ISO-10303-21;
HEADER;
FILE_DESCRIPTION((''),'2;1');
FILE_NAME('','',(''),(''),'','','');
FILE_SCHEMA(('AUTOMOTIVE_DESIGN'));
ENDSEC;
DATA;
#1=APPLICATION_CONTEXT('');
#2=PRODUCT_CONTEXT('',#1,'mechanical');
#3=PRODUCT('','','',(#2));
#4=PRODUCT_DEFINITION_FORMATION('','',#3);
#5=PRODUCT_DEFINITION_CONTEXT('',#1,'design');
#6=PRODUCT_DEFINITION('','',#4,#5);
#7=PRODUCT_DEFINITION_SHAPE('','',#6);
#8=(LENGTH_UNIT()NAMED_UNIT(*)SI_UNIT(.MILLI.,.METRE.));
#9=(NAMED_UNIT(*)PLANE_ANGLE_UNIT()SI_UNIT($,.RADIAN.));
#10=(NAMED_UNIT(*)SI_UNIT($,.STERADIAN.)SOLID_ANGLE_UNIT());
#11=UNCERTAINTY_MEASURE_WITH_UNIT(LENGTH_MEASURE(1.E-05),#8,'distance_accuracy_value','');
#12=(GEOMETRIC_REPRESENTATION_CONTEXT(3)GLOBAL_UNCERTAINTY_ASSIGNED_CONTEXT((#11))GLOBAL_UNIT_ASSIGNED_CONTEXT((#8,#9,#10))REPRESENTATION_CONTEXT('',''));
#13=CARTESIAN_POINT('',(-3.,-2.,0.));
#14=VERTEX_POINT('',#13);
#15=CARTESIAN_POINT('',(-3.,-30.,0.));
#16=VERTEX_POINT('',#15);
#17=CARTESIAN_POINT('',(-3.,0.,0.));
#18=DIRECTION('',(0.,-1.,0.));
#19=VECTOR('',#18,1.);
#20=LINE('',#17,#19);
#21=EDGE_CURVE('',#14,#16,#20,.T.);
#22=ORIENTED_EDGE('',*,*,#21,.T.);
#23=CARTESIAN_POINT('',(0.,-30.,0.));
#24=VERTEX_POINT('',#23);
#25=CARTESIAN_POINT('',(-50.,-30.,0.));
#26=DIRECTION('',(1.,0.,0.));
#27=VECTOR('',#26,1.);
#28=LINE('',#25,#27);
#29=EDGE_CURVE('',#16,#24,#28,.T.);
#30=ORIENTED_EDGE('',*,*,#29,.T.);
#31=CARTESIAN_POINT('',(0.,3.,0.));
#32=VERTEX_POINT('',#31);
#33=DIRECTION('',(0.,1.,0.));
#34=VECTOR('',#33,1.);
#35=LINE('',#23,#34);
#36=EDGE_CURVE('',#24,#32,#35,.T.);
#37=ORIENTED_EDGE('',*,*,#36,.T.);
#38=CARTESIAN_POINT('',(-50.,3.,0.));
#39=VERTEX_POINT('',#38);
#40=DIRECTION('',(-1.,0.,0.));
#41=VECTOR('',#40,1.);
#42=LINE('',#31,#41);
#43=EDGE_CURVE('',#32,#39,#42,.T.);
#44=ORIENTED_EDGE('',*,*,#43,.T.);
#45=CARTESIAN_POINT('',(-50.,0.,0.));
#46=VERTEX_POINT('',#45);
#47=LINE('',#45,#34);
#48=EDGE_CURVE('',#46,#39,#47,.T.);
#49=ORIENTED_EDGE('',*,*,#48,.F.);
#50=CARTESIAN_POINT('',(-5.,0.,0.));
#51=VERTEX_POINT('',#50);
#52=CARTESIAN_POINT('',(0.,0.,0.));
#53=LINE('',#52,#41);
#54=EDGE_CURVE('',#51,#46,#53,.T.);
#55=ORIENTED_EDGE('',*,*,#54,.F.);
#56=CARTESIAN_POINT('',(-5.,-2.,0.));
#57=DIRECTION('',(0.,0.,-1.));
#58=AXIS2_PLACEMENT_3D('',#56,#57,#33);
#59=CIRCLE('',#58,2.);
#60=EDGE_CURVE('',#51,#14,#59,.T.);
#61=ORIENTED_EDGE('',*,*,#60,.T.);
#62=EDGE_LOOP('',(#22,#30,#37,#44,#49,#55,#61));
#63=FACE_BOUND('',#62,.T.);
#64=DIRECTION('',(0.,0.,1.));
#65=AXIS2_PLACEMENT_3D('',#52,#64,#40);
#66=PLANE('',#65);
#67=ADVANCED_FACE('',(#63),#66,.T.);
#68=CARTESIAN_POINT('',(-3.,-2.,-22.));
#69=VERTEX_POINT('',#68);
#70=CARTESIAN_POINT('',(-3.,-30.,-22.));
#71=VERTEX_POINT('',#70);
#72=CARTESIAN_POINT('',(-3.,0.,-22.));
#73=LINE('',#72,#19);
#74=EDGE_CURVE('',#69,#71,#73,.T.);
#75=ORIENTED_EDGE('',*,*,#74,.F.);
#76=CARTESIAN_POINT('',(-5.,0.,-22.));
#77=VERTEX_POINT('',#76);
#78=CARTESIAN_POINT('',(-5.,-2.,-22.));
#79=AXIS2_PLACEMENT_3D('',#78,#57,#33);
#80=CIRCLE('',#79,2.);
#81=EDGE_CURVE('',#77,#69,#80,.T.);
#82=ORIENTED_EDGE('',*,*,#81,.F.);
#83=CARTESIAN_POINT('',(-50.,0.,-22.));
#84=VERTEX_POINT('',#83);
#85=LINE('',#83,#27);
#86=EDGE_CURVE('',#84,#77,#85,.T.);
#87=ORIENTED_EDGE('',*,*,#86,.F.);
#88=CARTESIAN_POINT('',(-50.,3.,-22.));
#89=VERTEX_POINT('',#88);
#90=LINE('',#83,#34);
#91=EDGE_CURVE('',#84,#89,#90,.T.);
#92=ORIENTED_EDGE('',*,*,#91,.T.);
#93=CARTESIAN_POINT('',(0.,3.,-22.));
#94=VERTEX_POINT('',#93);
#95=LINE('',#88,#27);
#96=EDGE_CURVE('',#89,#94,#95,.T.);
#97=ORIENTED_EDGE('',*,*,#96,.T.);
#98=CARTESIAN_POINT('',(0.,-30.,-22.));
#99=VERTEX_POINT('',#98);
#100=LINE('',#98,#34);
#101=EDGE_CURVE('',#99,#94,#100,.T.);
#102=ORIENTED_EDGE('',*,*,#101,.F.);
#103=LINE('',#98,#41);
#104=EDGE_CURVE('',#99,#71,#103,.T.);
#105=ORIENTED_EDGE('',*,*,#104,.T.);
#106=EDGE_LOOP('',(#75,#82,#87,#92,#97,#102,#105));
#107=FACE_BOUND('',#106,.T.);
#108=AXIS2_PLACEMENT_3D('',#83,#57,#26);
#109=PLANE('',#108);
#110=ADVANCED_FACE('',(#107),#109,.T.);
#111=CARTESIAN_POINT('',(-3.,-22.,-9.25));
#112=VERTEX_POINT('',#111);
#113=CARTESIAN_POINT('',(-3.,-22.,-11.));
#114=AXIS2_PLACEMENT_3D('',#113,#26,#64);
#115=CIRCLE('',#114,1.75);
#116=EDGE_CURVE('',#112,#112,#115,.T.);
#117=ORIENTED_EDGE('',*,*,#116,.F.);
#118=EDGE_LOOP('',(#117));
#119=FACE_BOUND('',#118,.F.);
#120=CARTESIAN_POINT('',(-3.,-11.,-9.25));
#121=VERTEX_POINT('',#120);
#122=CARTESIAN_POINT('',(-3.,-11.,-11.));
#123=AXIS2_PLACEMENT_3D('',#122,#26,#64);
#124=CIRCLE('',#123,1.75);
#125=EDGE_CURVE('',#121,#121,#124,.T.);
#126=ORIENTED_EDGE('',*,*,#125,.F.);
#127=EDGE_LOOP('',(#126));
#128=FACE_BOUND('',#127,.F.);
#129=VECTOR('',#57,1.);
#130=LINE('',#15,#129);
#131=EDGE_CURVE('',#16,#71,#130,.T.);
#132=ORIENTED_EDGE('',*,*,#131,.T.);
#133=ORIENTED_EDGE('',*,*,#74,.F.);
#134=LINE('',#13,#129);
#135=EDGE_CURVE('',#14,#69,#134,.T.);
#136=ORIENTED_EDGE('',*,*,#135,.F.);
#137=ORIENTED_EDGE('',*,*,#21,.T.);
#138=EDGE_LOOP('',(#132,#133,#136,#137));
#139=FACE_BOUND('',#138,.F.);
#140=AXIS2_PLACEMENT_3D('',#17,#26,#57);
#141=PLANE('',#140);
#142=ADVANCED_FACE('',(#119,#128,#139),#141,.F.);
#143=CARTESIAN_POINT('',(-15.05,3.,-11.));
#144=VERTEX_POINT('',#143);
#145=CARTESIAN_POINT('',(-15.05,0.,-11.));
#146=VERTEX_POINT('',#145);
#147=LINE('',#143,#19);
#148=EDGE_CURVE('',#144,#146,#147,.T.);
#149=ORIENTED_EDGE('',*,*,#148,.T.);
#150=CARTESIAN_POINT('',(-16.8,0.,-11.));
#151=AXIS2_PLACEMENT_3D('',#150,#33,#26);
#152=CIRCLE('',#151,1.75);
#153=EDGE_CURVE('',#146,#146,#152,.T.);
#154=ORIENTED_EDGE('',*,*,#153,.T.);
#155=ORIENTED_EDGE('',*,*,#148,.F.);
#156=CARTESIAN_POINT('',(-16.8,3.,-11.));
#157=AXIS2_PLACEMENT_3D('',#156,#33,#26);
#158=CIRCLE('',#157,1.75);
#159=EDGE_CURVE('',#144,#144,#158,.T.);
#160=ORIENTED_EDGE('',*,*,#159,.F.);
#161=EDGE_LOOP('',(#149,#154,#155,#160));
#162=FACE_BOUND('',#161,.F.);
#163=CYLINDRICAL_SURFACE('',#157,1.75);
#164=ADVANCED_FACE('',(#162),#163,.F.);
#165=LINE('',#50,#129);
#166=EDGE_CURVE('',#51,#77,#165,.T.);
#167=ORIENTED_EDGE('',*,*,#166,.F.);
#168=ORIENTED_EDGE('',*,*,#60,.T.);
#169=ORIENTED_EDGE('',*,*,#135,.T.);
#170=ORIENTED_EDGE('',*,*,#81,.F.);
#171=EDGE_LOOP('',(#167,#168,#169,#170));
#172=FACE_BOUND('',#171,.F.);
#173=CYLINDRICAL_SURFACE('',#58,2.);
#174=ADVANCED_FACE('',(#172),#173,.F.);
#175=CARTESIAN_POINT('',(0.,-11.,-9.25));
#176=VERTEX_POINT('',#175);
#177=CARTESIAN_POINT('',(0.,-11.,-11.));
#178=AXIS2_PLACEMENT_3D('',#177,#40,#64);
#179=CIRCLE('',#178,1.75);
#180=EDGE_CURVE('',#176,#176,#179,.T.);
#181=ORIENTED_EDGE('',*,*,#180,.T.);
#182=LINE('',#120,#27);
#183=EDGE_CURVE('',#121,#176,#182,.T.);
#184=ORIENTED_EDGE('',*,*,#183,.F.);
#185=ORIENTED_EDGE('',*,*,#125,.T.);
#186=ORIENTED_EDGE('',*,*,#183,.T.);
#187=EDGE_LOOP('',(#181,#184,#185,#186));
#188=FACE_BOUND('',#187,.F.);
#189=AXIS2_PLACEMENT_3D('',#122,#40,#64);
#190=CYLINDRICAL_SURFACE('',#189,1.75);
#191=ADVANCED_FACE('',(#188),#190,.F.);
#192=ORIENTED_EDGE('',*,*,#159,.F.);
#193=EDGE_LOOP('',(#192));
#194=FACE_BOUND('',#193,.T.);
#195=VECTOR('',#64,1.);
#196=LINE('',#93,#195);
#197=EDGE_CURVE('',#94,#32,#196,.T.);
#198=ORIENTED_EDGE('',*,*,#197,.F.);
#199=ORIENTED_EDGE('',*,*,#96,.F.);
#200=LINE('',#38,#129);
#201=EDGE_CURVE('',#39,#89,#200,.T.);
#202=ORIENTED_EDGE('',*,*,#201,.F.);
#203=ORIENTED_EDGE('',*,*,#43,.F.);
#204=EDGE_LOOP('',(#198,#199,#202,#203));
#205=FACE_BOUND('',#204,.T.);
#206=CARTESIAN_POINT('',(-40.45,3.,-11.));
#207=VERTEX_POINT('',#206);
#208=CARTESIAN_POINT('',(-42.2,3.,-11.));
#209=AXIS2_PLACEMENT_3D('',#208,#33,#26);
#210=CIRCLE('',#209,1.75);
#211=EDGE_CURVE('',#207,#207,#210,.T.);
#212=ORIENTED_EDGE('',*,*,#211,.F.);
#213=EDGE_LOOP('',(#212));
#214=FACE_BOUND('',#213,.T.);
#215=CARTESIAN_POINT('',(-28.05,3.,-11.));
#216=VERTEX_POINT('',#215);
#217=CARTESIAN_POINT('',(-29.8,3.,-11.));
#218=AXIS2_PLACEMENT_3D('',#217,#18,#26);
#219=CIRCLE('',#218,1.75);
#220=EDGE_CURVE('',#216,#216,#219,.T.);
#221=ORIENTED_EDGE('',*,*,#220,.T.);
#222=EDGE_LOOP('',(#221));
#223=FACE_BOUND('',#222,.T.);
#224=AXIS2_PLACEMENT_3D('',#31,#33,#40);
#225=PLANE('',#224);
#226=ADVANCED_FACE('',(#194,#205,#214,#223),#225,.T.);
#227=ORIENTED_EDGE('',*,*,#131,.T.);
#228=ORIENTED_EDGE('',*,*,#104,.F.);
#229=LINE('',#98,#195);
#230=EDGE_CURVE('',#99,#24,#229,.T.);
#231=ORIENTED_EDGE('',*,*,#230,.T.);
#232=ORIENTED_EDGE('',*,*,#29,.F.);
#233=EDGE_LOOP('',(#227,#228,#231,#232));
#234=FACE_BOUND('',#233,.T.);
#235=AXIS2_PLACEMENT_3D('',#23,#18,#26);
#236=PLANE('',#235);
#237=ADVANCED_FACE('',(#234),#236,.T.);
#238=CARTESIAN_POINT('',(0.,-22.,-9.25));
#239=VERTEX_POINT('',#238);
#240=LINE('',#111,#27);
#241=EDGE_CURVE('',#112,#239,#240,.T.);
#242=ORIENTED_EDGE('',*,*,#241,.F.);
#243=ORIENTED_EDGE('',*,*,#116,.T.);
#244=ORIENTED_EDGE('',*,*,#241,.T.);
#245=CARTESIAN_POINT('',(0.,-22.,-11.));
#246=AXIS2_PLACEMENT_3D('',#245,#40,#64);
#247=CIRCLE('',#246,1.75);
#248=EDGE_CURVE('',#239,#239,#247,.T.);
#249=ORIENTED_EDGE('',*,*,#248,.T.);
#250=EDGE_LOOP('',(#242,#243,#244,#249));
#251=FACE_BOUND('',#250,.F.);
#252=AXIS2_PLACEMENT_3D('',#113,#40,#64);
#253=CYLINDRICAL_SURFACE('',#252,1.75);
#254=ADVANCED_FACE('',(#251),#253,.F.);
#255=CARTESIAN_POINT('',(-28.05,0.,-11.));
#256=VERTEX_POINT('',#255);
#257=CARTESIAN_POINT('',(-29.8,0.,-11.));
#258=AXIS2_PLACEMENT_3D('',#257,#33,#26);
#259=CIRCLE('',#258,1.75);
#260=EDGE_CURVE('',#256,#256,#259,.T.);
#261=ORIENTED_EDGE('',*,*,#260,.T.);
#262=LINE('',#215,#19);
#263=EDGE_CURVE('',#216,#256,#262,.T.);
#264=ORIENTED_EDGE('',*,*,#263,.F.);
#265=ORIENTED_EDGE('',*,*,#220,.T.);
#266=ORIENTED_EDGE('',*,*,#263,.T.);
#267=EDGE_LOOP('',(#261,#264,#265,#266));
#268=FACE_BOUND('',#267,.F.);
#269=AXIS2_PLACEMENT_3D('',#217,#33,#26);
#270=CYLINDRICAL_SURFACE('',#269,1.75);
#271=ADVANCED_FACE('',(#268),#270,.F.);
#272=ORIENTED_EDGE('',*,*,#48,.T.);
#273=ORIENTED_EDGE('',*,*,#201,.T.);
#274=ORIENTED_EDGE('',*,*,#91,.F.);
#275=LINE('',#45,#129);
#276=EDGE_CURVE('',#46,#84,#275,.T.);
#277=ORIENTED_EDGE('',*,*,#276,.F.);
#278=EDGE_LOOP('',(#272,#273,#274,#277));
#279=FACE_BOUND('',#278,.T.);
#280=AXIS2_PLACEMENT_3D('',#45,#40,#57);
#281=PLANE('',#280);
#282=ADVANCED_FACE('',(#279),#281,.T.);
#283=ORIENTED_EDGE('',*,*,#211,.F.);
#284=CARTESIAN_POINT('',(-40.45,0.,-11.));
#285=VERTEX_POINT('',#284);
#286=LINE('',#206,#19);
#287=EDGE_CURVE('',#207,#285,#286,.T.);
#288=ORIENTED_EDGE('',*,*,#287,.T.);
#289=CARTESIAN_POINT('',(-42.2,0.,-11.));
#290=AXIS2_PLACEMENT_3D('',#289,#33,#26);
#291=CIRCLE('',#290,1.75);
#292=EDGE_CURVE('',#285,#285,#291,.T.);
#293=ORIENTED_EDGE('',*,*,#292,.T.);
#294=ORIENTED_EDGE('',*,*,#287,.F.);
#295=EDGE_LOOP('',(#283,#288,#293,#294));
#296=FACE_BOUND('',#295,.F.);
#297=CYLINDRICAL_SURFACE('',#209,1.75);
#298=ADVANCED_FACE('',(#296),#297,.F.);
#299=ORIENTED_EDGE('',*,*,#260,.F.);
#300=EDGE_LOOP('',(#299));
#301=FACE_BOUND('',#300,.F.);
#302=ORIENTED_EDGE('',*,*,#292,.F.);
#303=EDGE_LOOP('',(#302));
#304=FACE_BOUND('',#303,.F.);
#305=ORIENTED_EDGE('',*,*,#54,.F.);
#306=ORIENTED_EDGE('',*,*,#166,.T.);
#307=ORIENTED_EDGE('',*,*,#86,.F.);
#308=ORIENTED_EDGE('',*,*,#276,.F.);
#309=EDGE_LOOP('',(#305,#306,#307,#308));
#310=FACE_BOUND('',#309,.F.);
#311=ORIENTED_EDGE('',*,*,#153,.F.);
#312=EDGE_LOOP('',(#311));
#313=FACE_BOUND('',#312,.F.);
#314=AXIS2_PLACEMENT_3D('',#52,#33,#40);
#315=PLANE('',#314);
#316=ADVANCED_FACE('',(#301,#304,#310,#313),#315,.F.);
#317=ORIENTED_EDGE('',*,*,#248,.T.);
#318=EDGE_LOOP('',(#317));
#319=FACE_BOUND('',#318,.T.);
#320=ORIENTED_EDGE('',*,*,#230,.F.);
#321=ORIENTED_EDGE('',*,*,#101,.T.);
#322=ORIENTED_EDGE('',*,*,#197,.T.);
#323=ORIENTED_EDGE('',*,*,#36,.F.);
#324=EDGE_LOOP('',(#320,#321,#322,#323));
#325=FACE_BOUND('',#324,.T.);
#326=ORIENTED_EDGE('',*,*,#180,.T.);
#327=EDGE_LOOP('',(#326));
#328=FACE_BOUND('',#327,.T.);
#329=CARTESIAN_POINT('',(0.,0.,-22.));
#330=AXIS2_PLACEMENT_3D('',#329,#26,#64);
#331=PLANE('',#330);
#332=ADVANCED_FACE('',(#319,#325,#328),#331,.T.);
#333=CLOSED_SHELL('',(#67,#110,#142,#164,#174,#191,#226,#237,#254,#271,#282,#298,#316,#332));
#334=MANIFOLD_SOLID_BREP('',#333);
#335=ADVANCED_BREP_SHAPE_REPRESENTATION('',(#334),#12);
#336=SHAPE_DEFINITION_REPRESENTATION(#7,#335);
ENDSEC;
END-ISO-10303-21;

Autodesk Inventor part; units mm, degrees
ref_plane "YZ Plane" through (0, 0, 0) normal (1, 0, 0) x (0, 1, 0)
ref_plane "XZ Plane" through (0, 0, 0) normal (0, 1, 0) x (-1, 0, 0)
ref_plane "XY Plane" through (0, 0, 0) normal (0, 0, 1) x (1, 0, 0)
sketch "Sketch1" plane through (0, 0, 0) normal (0, 1, 0) x (-1, 0, 0)
  line L0 (0, 0) -> (50, 0)
  line L1 (50, 0) -> (50, -22)
  line L2 (50, -22) -> (0, -22)
  line L3 (0, -22) -> (0, 0)
  dimension "d0" = 50
  dimension "d1" = 22
extrude "Extrusion1" add sketch "Sketch1" along normal blind 3
sketch "Sketch2" plane through (0, 0, 0) normal (0, -1, 0) x (1, 0, 0)
  line L0 (-50, 0) -> (0, 0) projected
  line L1 (0, -22) -> (-50, -22) projected
  line L2 (0, 0) -> (-3, 0)
  line L3 (-3, 0) -> (-3, -22)
  line L4 (-3, -22) -> (0, -22)
  line L5 (0, -22) -> (0, 0)
  dimension "d4" = 3
extrude "Extrusion2" add sketch "Sketch2" along normal blind 30
sketch "Sketch3" plane through (0, 3, 0) normal (0, 1, 0) x (1, 0, 0)
  circle A0 centre (-16.8, 11) radius 1.75
  line L0 (0, 22) -> (-50, 22) projected
  circle A1 centre (-42.2, 11) radius 1.75
  line L1 (-3, 0) -> (-29.8, 0)
  line L2 (-50, 0) -> (0, 0) projected
  line L3 (-29.8, 0) -> (-29.8, 11)
  circle A2 centre (-29.8, 11) radius 1.75
  dimension "d7" = 3.5
  dimension "d8" = 11
  dimension "d9" = 13.8
  dimension "d10" = 3.5
  dimension "d11" = 25.4
  dimension "d12" = 11
  dimension "d22" = 26.8
  dimension "d23" = 11
  dimension "d24" = 3.5
sketch "Sketch4" plane through (-3, 0, -22) normal (-1, 0, 0) x (0, 0, 1)
  line L0 (22, 0) -> (0, 0) projected
  line L1 (11, 0) -> (11, -11)
  circle A0 centre (11, -11) radius 1.75
  line L2 (11, -11) -> (11, -22)
  circle A1 centre (11, -22) radius 1.75
  dimension "d15" = 11
  dimension "d16" = 3.5
  dimension "d17" = 11
  dimension "d18" = 3.5
extrude "Extrusion4" cut sketch "Sketch4" against normal blind 3
fillet "Fillet1" radius 2 1 edges at (-3, 0, -11)
extrude "Extrusion5" cut sketch "Sketch3" against normal blind 3
properties part number "Right_BracketMount"
